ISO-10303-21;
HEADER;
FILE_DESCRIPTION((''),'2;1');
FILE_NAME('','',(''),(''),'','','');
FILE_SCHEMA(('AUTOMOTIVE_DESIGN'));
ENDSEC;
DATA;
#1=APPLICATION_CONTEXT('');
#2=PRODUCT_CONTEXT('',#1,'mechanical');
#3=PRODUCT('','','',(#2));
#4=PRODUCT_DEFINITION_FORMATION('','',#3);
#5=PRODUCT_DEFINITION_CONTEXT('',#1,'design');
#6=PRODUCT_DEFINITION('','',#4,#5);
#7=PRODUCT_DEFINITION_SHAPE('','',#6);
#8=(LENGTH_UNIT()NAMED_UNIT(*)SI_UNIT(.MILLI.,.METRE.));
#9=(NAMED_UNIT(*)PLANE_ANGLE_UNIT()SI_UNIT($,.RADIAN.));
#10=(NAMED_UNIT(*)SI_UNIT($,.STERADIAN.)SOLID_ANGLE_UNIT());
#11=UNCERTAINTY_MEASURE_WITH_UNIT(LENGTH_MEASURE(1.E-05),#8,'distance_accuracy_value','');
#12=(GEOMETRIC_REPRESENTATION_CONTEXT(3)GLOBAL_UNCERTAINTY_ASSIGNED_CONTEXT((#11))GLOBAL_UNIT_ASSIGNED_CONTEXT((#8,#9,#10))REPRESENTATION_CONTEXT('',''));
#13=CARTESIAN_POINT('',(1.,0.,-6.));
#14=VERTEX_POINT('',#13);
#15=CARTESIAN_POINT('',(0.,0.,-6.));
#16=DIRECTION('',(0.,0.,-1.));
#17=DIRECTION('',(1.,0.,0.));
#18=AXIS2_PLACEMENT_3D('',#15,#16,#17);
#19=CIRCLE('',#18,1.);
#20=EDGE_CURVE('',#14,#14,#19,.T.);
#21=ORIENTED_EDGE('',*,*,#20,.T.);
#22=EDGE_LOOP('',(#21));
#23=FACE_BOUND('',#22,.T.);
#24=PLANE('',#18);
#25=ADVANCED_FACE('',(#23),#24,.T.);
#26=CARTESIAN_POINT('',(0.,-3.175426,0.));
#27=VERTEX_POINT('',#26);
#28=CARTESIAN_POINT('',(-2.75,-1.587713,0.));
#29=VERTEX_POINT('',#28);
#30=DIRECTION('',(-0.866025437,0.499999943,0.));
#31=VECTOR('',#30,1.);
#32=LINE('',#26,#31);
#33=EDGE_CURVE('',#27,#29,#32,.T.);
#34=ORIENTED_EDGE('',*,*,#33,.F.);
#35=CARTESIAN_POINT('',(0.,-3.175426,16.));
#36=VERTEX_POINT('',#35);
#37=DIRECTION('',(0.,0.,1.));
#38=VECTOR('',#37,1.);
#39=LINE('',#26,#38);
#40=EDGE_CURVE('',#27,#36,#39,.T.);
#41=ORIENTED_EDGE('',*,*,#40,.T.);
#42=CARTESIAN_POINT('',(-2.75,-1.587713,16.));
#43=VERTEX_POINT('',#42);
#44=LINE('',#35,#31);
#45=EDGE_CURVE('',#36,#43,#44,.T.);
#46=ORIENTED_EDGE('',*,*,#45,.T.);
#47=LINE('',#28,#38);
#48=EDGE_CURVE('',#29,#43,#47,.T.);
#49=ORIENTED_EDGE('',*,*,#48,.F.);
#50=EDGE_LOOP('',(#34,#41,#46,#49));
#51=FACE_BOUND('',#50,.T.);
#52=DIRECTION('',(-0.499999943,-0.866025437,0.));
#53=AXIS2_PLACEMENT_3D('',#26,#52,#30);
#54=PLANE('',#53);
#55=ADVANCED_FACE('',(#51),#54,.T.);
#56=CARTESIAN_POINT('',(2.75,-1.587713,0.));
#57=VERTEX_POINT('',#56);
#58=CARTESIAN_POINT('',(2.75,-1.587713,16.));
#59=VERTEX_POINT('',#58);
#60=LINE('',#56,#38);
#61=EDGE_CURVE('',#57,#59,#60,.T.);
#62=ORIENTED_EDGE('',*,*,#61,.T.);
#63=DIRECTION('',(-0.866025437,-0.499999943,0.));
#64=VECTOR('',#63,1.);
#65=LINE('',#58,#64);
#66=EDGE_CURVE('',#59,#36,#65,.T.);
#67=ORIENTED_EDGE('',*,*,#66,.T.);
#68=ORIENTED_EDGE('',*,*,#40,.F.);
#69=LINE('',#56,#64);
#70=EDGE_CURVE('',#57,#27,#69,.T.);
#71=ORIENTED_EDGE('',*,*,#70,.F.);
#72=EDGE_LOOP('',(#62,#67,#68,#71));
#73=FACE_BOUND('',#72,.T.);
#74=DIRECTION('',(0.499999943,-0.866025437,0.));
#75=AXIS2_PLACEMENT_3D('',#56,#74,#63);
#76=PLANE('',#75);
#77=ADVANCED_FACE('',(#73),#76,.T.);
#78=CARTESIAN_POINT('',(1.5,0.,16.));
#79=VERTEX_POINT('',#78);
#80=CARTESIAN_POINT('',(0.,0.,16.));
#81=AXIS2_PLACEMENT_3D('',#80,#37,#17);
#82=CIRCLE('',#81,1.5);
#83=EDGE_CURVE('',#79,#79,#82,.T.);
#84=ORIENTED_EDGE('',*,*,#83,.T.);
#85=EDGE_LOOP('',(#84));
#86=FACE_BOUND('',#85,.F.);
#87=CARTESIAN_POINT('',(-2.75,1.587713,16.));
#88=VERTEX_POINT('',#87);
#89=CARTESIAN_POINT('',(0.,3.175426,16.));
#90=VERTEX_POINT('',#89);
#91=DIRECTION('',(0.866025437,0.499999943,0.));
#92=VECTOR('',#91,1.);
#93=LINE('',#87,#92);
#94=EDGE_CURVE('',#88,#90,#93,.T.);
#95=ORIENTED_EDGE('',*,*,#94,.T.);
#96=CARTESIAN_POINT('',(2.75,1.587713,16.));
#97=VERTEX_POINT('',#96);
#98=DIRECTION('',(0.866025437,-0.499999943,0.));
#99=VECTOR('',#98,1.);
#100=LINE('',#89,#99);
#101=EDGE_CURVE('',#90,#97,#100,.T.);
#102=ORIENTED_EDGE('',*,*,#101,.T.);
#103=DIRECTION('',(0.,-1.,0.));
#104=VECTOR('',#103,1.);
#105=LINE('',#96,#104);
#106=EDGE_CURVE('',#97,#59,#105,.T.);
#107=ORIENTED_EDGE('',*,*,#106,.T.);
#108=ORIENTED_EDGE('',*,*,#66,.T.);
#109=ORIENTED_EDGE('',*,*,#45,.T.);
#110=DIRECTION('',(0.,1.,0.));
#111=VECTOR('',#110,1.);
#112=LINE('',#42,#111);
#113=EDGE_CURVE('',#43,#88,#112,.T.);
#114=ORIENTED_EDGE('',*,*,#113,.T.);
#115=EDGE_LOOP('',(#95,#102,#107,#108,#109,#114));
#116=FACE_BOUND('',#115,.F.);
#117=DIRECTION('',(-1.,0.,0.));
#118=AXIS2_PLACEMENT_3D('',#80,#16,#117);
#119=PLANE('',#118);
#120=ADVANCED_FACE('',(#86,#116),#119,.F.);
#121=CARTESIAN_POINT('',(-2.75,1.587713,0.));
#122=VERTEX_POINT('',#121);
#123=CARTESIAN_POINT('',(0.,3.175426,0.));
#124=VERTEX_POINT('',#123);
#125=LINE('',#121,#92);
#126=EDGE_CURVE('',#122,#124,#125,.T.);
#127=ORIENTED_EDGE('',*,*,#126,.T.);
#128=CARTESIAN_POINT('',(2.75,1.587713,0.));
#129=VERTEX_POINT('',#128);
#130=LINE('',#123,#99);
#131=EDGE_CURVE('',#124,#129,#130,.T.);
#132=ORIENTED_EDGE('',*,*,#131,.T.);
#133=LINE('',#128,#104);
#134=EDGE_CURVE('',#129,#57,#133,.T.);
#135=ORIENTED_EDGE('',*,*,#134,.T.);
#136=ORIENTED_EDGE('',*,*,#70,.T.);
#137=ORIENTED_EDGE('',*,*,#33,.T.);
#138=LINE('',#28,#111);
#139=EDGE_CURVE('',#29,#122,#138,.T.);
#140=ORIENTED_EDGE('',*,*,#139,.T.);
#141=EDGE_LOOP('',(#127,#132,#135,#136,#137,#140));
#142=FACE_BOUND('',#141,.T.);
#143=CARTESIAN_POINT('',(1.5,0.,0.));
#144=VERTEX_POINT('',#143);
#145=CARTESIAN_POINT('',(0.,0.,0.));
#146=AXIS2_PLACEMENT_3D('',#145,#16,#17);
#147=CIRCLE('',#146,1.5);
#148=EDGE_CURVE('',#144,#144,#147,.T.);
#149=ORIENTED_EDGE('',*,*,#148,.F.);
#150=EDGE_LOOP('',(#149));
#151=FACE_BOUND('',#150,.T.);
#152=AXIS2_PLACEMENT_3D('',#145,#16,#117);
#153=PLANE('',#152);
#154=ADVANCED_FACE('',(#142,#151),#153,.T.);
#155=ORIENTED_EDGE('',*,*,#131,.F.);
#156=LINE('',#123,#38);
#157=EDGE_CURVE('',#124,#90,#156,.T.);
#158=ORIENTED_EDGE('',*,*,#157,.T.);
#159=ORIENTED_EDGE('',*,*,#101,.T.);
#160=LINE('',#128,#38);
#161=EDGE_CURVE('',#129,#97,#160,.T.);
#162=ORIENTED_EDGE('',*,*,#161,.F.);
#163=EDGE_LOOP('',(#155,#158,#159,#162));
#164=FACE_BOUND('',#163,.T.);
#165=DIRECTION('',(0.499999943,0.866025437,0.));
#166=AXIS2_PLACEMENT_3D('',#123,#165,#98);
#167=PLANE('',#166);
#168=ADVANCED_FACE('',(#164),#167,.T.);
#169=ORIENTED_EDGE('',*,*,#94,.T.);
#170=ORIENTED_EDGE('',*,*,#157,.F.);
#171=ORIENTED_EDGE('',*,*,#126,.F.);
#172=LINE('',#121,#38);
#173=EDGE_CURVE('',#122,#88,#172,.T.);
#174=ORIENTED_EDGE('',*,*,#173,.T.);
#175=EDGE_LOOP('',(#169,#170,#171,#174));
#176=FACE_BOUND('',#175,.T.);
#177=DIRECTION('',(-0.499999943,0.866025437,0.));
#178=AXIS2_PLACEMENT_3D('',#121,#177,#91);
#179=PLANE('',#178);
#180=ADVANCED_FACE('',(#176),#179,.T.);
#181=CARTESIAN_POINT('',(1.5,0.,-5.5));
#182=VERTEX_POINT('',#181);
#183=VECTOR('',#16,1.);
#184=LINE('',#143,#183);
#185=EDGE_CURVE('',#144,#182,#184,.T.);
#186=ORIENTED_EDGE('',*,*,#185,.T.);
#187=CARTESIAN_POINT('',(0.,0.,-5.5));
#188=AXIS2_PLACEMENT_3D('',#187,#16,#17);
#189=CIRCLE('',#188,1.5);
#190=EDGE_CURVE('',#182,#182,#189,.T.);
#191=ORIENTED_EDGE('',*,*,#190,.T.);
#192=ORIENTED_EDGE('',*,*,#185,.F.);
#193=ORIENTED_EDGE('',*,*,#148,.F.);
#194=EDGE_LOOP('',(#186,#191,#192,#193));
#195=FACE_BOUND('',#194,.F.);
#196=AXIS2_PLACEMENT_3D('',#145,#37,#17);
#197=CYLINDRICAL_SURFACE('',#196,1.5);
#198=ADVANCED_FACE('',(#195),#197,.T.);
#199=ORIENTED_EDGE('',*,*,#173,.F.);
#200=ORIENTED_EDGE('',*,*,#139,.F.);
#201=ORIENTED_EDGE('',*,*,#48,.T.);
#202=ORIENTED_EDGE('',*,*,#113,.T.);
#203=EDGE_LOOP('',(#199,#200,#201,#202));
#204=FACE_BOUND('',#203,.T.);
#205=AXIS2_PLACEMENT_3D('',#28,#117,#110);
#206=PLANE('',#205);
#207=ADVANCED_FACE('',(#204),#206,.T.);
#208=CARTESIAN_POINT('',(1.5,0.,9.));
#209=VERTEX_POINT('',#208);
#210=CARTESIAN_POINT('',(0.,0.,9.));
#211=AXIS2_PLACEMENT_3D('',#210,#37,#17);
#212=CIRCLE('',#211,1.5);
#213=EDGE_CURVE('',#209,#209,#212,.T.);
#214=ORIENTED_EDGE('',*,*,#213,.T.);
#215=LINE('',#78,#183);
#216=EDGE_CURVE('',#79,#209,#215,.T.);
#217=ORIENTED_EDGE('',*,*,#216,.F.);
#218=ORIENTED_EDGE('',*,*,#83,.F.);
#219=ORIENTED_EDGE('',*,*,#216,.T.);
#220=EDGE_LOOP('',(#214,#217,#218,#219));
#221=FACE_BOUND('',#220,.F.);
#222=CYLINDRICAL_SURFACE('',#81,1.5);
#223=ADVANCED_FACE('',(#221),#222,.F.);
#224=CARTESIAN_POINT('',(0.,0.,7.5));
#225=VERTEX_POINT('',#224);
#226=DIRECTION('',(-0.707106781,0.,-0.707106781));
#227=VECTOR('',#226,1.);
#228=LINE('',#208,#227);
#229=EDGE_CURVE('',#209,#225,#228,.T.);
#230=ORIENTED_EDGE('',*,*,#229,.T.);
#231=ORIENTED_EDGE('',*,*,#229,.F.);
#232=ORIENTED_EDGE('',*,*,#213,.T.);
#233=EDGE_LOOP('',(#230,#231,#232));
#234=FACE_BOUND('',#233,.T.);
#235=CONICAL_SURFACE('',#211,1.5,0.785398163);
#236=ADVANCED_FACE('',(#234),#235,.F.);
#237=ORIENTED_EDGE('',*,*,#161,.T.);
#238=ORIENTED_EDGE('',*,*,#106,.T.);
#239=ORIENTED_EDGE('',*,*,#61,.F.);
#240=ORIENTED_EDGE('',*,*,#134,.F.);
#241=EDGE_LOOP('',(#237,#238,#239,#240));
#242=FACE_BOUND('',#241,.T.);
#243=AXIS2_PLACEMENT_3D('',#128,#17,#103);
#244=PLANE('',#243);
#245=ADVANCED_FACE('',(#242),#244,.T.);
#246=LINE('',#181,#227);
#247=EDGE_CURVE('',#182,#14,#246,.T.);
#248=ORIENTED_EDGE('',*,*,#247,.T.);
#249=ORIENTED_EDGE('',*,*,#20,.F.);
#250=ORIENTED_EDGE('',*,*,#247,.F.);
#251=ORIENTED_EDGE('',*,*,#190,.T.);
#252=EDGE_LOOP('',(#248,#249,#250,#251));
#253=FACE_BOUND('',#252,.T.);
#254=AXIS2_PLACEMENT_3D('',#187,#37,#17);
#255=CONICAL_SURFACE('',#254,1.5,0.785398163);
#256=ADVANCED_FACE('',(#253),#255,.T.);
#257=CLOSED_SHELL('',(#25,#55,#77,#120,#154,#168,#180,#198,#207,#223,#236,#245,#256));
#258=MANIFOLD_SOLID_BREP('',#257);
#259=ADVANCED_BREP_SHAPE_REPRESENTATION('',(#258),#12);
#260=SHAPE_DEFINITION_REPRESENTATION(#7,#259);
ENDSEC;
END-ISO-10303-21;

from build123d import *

# Parameters (mm, degrees)
PAD_DEPTH       = 16
SKETCH001_R     = 1.5
PAD001_DEPTH    = 6
SKETCH002_R     = 1.5
POCKET_DEPTH    = 8.5
CHAMFER_SIZE    = 1.5
CHAMFER001_SIZE = 0.5


with BuildPart() as part:
    # Sketch → Pad (new body)
    with BuildSketch(Plane.XY):
        Polygon((-2.75, -1.587713), (-2.75, 1.587713), (0, 3.175426), (2.75, 1.587713), (2.75, -1.587713), (0, -3.175426), align=None)
    extrude(amount=PAD_DEPTH)

    # Sketch001 (on Face7 of Pad) → Pad001 (new body)
    with BuildSketch(Plane(origin=(0, 0, 0), x_dir=(1, 0, 0), z_dir=(0, 0, -1))):
        Circle(SKETCH001_R)
    extrude(amount=PAD001_DEPTH)

    # Sketch002 (on Face5 of Pad001) → Pocket (cut)
    with BuildSketch(Plane.XY.offset(16)):
        Circle(SKETCH002_R)
    extrude(amount=-POCKET_DEPTH, mode=Mode.SUBTRACT)

    # Chamfer
    chamfer_edges = [part.edges().sort_by_distance(p)[0] for p in [
        (-1.5, 0, 7.5),
    ]]
    chamfer(chamfer_edges, length=CHAMFER_SIZE)

    # Chamfer001
    chamfer001_edges = [part.edges().sort_by_distance(p)[0] for p in [
        (-1.5, 0, -6),
    ]]
    chamfer(chamfer001_edges, length=CHAMFER001_SIZE)


solid = part.part
